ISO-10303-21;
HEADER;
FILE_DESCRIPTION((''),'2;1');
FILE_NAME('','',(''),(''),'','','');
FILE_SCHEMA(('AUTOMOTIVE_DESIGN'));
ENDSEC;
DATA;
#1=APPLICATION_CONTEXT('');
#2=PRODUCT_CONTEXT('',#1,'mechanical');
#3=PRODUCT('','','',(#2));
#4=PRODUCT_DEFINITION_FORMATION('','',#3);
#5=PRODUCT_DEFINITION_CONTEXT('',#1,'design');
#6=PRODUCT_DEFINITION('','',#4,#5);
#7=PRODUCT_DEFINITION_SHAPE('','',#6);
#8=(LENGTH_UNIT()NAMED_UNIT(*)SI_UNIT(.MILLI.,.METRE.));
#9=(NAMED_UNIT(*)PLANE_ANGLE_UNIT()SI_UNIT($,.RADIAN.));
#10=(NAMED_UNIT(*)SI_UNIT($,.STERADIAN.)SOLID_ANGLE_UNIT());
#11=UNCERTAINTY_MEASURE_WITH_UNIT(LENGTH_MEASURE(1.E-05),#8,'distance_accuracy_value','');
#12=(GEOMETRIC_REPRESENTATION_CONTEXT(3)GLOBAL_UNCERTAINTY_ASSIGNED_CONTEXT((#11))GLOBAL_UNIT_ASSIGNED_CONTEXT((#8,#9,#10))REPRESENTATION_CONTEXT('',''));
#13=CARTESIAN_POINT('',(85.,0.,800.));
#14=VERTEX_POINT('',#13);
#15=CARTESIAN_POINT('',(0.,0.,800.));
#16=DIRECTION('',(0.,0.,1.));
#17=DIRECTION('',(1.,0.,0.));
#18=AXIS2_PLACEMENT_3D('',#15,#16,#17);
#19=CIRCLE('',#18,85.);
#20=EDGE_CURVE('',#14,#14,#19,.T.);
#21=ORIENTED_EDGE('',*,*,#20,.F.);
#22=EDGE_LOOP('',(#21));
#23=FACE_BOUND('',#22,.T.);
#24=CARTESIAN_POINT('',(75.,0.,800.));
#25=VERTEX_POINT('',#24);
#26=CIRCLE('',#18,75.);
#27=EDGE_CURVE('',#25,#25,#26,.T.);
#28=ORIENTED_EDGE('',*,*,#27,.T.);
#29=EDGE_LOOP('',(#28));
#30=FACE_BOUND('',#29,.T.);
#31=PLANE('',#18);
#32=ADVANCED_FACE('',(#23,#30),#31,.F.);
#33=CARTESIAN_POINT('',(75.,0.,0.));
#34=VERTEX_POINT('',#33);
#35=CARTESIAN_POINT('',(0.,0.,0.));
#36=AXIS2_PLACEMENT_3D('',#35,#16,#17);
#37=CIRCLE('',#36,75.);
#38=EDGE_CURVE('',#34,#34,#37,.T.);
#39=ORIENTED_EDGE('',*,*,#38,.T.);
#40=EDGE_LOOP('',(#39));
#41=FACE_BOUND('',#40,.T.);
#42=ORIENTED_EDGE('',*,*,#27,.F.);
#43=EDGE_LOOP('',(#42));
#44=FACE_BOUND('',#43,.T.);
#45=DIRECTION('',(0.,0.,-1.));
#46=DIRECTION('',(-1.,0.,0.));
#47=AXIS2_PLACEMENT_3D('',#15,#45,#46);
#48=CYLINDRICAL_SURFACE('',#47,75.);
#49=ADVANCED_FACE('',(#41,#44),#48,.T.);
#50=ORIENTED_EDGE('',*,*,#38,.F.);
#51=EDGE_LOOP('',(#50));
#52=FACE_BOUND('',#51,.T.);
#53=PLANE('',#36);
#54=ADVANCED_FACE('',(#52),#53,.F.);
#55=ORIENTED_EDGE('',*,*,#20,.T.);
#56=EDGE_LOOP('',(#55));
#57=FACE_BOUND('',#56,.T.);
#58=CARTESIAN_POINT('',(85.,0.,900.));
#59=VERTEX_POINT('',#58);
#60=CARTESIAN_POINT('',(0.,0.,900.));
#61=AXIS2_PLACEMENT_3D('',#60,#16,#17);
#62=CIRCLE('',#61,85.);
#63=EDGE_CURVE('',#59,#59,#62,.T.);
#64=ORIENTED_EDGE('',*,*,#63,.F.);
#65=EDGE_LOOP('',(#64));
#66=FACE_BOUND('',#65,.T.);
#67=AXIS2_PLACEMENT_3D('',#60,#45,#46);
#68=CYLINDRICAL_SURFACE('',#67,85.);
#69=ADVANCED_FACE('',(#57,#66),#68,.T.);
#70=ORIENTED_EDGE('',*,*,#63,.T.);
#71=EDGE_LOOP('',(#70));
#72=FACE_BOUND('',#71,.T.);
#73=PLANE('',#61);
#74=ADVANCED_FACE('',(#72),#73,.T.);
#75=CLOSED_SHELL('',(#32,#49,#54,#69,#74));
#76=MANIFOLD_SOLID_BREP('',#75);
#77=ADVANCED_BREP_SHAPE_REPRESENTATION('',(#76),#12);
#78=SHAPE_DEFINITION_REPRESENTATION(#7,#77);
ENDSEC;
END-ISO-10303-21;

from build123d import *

# Parameters (mm, degrees)
IZIM1_R                     = 75
Y_KSEKLIK_EKSTR_ZYON1_DEPTH = 800
IZIM2_R                     = 85
Y_KSEKLIK_EKSTR_ZYON2_DEPTH = 100


with BuildPart() as part:
    # Çizim1 → Yükseklik-Ekstrüzyon1 (new body)
    with BuildSketch(Plane.XY):
        Circle(IZIM1_R)
    extrude(amount=Y_KSEKLIK_EKSTR_ZYON1_DEPTH)

    # Çizim2 → Yükseklik-Ekstrüzyon2 (add)
    with BuildSketch(Plane.XY.offset(800)):
        Circle(IZIM2_R)
    extrude(amount=Y_KSEKLIK_EKSTR_ZYON2_DEPTH)


solid = part.part
